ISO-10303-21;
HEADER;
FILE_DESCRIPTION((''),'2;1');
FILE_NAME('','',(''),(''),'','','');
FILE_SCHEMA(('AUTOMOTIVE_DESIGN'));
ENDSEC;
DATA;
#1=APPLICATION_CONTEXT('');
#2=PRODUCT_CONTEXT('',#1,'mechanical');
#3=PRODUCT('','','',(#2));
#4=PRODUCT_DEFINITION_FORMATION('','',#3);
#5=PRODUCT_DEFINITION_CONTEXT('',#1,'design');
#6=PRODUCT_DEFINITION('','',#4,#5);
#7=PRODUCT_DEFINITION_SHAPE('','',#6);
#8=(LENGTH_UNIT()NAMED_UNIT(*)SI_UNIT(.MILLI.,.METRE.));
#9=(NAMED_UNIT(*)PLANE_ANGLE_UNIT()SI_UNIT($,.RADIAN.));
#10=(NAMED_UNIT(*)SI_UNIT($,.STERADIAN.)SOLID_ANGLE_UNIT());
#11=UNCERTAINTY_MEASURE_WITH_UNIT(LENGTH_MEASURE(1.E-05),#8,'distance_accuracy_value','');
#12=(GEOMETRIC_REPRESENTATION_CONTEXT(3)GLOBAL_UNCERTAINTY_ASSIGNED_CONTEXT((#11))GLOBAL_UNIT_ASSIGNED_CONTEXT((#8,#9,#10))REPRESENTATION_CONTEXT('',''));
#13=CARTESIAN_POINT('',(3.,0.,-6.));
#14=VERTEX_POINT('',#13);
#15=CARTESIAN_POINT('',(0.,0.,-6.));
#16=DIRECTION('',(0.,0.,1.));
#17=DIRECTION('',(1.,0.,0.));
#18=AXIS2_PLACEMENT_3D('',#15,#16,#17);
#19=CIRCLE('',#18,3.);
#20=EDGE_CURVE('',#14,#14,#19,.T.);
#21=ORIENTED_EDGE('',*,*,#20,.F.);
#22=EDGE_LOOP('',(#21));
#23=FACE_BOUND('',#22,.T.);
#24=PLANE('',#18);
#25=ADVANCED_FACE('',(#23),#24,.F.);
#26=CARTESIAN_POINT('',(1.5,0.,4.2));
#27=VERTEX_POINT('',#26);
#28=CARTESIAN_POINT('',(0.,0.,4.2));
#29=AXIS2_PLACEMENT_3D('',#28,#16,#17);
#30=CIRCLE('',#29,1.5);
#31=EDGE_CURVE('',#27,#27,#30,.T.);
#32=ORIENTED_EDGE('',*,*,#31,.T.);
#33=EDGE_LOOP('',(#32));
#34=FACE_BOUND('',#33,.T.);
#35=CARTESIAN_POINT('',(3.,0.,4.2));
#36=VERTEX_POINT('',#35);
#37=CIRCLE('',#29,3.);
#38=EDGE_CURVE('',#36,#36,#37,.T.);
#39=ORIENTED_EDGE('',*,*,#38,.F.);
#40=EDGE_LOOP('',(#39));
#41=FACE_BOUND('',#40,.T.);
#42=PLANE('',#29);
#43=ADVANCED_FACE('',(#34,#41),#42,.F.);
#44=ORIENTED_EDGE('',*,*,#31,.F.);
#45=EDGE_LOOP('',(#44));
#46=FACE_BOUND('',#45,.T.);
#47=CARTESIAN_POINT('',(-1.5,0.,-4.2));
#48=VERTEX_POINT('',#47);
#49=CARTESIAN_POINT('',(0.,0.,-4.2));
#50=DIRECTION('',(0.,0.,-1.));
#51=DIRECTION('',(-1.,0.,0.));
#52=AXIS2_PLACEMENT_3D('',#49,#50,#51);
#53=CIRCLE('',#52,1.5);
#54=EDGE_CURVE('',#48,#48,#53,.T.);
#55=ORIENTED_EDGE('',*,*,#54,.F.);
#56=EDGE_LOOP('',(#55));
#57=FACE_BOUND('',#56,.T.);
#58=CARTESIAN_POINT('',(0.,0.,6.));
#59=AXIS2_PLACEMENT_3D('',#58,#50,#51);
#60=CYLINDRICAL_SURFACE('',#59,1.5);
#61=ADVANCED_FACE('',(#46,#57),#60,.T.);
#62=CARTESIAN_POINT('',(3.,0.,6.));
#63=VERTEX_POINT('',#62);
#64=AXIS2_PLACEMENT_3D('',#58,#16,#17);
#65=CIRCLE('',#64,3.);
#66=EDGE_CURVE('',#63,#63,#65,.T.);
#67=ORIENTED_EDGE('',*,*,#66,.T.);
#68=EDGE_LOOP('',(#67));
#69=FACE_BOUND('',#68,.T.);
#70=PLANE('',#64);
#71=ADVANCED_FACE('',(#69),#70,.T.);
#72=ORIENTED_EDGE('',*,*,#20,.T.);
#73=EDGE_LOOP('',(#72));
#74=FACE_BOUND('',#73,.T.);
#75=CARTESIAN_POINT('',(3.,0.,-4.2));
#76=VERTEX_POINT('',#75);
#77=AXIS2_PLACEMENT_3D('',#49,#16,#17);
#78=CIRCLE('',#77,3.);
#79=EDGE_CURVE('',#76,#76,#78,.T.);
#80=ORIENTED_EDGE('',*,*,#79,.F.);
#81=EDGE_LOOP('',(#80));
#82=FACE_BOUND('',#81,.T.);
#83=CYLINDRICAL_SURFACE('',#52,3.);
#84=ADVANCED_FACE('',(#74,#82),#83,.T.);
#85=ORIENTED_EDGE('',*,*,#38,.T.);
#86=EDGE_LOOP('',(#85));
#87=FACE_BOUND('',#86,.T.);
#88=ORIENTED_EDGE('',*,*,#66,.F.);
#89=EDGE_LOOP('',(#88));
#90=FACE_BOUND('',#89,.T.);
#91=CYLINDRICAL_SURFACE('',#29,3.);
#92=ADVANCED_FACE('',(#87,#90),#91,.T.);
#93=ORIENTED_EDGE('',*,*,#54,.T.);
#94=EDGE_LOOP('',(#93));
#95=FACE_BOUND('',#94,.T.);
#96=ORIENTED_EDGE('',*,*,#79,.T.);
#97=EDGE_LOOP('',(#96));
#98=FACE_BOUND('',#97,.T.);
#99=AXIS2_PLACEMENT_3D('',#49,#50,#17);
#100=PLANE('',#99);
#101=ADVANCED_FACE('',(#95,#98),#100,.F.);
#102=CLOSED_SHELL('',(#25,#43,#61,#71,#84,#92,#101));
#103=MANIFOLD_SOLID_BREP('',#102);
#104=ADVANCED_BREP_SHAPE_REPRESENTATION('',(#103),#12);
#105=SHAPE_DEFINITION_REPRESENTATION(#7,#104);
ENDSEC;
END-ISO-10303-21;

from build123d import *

# Parameters (mm, degrees)
SKETCH1_R           = 1.5
BOSS_EXTRUDE1_DEPTH = 6
SKETCH2_R           = 3
BOSS_EXTRUDE2_DEPTH = 1.8


with BuildPart() as part:
    # Sketch1 → Boss-Extrude1 (new body, symmetric)
    with BuildSketch(Plane.XY):
        Circle(SKETCH1_R)
    extrude(amount=BOSS_EXTRUDE1_DEPTH, both=True)

    # Sketch2 → Boss-Extrude2 (add)
    with BuildSketch(Plane.XY.offset(6)):
        Circle(SKETCH2_R)
    boss_extrude2 = extrude(amount=-BOSS_EXTRUDE2_DEPTH)

    # Mirror1: Boss-Extrude2 across plane
    add(boss_extrude2.mirror(Plane.XY))


solid = part.part
